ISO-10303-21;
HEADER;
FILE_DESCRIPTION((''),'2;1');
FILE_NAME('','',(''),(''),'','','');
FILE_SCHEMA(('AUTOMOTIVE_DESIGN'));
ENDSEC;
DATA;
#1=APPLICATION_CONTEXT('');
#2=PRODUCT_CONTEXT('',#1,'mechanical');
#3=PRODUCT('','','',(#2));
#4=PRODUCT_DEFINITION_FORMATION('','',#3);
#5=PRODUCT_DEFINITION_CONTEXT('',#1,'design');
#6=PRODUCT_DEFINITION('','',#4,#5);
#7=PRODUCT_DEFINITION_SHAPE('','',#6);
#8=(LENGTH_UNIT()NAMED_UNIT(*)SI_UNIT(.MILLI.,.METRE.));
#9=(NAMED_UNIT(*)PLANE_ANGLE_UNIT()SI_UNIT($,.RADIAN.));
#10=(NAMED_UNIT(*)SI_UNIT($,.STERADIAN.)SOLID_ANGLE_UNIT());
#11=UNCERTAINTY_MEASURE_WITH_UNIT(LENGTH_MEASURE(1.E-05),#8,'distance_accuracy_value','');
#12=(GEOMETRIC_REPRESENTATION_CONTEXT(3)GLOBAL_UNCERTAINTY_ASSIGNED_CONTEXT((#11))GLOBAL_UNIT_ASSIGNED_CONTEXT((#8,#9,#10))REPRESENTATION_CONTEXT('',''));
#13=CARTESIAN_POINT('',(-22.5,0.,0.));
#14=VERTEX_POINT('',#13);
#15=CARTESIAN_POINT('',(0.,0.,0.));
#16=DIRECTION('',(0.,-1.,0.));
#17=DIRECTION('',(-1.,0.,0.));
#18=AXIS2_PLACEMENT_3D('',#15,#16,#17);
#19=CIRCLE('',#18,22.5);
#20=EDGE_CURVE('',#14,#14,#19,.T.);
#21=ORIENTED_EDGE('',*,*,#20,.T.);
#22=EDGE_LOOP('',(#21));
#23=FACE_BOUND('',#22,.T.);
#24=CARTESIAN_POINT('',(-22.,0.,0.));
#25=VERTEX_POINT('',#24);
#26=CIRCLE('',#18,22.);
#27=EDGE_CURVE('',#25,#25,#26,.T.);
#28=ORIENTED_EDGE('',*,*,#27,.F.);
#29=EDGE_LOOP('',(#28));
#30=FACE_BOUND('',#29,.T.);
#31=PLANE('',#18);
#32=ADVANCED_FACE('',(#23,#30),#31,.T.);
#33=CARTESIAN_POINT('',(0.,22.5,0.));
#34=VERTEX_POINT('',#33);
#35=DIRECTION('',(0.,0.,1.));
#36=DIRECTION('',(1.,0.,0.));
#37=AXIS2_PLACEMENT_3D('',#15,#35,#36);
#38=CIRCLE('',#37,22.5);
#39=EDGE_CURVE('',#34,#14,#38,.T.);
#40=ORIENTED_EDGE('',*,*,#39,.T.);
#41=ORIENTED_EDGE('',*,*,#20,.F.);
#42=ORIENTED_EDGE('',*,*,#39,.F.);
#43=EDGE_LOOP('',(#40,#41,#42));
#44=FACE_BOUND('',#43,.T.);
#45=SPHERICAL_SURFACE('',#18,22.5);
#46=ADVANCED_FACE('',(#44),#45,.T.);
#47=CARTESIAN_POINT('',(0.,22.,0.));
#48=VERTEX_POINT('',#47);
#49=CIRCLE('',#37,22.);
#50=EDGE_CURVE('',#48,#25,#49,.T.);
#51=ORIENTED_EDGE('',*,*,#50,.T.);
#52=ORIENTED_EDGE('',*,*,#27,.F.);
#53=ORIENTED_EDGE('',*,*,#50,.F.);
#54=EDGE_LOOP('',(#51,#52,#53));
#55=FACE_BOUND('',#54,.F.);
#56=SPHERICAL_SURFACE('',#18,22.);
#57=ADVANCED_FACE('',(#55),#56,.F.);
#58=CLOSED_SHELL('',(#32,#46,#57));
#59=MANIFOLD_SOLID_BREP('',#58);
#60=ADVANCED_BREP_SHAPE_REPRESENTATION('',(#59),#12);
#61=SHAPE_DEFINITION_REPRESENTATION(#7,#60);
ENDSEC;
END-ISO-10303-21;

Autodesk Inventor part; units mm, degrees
ref_plane "YZ Plane" through (0, 0, 0) normal (1, 0, 0) x (0, 1, 0)
ref_plane "XZ Plane" through (0, 0, 0) normal (0, 1, 0) x (-1, 0, 0)
ref_plane "XY Plane" through (0, 0, 0) normal (0, 0, 1) x (1, 0, 0)
sketch "Esquisse1" plane through (0, 0, 0) normal (0, 0, 1) x (1, 0, 0)
  circle A0 centre (0, 0) radius 22.5
  line L0 (0, 26.2864) -> (0, -28.5844)
  line L1 (-28.231, 0) -> (38.5366, 0)
  circle A1 centre (0, 0) radius 22
  point P0 (22.5, 0)
  point P1 (0, 22.5)
  point P2 (-22, 0)
  point P3 (0, 22)
  point P4 (-22.5, 0)
  dimension "d0" = 45
  dimension "d2" = 44
revolve "Révolution1" add sketch "Esquisse1" angle 360 about axis through (0, 26.2864, 0) along (0, -1, 0) picked at (-21.9614, 3.3007) contours L0 A1 L1 A0
properties part number "Globe Pommeau"
